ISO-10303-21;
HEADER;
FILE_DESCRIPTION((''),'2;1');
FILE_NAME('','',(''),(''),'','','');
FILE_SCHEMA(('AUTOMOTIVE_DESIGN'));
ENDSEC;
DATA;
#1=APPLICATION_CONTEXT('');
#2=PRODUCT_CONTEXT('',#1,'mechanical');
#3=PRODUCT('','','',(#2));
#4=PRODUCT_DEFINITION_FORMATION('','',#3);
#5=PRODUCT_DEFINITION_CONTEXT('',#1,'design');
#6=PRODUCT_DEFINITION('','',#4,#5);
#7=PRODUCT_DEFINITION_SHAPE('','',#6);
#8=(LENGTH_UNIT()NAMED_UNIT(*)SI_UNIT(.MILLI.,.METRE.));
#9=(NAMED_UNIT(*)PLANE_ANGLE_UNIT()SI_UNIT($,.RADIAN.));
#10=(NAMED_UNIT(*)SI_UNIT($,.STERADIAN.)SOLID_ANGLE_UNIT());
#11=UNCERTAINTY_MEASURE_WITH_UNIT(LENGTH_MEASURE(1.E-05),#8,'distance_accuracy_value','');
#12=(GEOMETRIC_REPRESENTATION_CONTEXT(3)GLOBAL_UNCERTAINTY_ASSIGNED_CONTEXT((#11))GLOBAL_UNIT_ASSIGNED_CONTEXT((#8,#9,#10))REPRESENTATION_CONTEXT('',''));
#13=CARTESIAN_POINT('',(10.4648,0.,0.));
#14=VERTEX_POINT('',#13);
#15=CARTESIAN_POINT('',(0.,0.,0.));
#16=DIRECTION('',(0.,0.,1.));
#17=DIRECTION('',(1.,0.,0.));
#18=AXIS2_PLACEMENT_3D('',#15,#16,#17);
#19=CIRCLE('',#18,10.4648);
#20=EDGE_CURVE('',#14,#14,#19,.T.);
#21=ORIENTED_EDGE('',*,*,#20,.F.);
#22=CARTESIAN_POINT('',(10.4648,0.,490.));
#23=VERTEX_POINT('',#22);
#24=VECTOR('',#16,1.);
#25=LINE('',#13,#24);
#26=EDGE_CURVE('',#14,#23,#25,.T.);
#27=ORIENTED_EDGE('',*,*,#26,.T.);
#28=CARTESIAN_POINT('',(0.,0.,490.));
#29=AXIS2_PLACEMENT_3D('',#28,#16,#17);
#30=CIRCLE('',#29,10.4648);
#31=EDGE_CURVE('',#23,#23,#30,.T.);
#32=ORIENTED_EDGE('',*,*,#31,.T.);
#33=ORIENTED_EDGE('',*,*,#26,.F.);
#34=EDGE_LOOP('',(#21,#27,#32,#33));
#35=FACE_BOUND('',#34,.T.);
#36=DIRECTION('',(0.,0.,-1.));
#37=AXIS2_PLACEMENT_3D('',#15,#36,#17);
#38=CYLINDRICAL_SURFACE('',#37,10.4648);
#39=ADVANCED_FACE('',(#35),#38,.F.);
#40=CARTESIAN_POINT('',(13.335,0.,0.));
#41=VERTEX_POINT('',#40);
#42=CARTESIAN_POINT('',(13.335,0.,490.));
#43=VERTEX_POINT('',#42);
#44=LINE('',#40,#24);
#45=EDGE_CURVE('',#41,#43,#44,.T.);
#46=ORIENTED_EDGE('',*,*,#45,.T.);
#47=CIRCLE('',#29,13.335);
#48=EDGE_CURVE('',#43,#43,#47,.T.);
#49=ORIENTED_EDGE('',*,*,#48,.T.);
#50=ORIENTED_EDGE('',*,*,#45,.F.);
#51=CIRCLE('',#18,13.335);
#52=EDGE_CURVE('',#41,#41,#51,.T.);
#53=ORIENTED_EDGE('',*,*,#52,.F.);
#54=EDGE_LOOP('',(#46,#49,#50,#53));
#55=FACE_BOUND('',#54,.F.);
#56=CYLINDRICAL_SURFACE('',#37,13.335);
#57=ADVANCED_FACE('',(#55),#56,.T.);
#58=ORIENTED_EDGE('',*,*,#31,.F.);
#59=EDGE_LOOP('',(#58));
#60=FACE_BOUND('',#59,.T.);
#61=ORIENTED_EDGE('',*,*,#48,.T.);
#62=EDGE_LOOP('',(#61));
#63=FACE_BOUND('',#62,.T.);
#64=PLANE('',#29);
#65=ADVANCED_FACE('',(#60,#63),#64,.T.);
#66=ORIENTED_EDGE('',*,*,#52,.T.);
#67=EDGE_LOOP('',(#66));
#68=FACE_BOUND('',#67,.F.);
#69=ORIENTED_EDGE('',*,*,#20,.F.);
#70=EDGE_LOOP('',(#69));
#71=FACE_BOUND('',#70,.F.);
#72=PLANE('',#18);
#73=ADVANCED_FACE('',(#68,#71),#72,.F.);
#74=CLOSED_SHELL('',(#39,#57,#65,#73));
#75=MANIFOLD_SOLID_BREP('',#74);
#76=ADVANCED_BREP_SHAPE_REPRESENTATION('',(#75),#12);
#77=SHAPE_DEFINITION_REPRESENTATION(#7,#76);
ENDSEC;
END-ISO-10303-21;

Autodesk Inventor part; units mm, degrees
ref_plane "YZ Plane" through (0, 0, 0) normal (1, 0, 0) x (0, 1, 0)
ref_plane "Start Plane" through (0, 0, 0) normal (0, 0, 1) x (1, 0, 0)
ref_plane "End Plane" through (0, 0, 490) normal (0, 0, 1) x (1, 0, 0)
sketch "Sketch" plane through (0, 0, 0) normal (0, 0, 1) x (1, 0, 0)
  circle A0 centre (0, 0) radius 10.4648
  circle A1 centre (0, 0) radius 13.335
  dimension "d0" = 26.67
  dimension "d1" = 2.8702
extrude "Body" add sketch "Sketch" along normal up to surface (490 mm away) from surface at 0
sketch "Sketch3" plane through (0, 0, 0) normal (0, 0, 1) x (1, 0, 0)
  line L0 (0, 0) -> (10, 0)
ref_plane "Work Plane3" through (0, 0, 0) normal (0, -1, 0) x (1, 0, 0)
sketch "Sketch4" plane through (0, 0, 0) normal (0, -1, 0) x (1, 0, 0)
  line L0 (-2, 0) -> (12, 0) projected
  line L1 (-2, 490) -> (12, 490) projected
  dimension "d7" = 490
equation "\"d0\" = G_H"
equation "\"d1\" = G_T"
equation "\"d2\" = G_L"
equation "\"G_H\" = 26.67"
equation "\"G_T\" = 2.8702"
equation "\"G_L\" = d7"
equation "\"G_OFFSET_START\" = 0"
equation "\"G_OFFSET_END\" = 0"
equation "\"d5\" = G_OFFSET_END + B_L"
equation "\"B_L\" = 490"
properties part number "ANSI - 3/4 x 0.113 - 19.291" material "Steel, Mild"
